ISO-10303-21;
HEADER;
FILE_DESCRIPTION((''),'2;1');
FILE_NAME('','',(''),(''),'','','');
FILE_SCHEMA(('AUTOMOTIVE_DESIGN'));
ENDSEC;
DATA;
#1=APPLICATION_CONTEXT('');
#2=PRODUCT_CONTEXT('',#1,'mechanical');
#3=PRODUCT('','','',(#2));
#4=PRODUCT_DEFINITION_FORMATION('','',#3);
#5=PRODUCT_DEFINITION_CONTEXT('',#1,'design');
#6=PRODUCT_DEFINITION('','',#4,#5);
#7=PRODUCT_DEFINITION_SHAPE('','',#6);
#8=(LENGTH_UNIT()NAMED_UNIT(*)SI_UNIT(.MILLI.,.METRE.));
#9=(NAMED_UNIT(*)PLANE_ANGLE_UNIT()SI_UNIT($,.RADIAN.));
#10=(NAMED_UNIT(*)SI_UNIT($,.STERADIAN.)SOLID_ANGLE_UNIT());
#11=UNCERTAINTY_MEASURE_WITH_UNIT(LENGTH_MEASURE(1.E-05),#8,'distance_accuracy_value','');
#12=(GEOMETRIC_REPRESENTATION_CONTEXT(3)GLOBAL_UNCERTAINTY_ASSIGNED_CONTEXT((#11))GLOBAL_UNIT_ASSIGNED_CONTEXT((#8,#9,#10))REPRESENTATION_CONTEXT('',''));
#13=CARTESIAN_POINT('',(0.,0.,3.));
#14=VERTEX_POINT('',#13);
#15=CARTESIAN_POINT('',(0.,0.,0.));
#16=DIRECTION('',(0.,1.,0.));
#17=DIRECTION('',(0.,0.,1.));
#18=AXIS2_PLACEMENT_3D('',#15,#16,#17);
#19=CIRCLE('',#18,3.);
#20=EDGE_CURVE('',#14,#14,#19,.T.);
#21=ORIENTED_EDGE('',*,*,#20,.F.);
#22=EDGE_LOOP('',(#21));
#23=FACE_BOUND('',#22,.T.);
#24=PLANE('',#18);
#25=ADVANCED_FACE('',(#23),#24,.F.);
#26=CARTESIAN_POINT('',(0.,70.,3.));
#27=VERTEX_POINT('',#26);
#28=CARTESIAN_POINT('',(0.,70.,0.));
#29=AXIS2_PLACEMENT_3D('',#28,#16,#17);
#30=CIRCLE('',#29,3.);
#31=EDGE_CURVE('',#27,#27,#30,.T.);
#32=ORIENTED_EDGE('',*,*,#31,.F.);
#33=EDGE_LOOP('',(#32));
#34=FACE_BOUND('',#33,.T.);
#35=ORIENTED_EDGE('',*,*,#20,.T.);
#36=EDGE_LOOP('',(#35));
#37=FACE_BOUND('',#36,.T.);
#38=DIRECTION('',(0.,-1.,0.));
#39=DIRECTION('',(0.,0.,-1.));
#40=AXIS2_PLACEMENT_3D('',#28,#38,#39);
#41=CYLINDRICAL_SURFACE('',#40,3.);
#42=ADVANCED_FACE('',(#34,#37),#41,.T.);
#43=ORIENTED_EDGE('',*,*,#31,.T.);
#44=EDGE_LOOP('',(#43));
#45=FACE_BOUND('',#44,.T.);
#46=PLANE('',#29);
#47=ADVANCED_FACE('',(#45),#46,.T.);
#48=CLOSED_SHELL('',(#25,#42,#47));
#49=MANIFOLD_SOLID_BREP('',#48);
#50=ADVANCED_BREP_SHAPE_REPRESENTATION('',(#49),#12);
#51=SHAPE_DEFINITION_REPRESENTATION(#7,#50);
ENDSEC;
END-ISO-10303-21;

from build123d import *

# Parameters (mm, degrees)
SKETCH1_R           = 3
BOSS_EXTRUDE1_DEPTH = 70


with BuildPart() as part:
    # Sketch1 → Boss-Extrude1 (new body)
    with BuildSketch(Plane(origin=(0, 0, 0), x_dir=(1, 0, 0), z_dir=(0, 1, 0))):
        with Locations(Location((0, 0, 0), (0, 0, 270))):  # turned: the seam where the file's is
            Circle(SKETCH1_R)
    extrude(amount=BOSS_EXTRUDE1_DEPTH)


solid = part.part
